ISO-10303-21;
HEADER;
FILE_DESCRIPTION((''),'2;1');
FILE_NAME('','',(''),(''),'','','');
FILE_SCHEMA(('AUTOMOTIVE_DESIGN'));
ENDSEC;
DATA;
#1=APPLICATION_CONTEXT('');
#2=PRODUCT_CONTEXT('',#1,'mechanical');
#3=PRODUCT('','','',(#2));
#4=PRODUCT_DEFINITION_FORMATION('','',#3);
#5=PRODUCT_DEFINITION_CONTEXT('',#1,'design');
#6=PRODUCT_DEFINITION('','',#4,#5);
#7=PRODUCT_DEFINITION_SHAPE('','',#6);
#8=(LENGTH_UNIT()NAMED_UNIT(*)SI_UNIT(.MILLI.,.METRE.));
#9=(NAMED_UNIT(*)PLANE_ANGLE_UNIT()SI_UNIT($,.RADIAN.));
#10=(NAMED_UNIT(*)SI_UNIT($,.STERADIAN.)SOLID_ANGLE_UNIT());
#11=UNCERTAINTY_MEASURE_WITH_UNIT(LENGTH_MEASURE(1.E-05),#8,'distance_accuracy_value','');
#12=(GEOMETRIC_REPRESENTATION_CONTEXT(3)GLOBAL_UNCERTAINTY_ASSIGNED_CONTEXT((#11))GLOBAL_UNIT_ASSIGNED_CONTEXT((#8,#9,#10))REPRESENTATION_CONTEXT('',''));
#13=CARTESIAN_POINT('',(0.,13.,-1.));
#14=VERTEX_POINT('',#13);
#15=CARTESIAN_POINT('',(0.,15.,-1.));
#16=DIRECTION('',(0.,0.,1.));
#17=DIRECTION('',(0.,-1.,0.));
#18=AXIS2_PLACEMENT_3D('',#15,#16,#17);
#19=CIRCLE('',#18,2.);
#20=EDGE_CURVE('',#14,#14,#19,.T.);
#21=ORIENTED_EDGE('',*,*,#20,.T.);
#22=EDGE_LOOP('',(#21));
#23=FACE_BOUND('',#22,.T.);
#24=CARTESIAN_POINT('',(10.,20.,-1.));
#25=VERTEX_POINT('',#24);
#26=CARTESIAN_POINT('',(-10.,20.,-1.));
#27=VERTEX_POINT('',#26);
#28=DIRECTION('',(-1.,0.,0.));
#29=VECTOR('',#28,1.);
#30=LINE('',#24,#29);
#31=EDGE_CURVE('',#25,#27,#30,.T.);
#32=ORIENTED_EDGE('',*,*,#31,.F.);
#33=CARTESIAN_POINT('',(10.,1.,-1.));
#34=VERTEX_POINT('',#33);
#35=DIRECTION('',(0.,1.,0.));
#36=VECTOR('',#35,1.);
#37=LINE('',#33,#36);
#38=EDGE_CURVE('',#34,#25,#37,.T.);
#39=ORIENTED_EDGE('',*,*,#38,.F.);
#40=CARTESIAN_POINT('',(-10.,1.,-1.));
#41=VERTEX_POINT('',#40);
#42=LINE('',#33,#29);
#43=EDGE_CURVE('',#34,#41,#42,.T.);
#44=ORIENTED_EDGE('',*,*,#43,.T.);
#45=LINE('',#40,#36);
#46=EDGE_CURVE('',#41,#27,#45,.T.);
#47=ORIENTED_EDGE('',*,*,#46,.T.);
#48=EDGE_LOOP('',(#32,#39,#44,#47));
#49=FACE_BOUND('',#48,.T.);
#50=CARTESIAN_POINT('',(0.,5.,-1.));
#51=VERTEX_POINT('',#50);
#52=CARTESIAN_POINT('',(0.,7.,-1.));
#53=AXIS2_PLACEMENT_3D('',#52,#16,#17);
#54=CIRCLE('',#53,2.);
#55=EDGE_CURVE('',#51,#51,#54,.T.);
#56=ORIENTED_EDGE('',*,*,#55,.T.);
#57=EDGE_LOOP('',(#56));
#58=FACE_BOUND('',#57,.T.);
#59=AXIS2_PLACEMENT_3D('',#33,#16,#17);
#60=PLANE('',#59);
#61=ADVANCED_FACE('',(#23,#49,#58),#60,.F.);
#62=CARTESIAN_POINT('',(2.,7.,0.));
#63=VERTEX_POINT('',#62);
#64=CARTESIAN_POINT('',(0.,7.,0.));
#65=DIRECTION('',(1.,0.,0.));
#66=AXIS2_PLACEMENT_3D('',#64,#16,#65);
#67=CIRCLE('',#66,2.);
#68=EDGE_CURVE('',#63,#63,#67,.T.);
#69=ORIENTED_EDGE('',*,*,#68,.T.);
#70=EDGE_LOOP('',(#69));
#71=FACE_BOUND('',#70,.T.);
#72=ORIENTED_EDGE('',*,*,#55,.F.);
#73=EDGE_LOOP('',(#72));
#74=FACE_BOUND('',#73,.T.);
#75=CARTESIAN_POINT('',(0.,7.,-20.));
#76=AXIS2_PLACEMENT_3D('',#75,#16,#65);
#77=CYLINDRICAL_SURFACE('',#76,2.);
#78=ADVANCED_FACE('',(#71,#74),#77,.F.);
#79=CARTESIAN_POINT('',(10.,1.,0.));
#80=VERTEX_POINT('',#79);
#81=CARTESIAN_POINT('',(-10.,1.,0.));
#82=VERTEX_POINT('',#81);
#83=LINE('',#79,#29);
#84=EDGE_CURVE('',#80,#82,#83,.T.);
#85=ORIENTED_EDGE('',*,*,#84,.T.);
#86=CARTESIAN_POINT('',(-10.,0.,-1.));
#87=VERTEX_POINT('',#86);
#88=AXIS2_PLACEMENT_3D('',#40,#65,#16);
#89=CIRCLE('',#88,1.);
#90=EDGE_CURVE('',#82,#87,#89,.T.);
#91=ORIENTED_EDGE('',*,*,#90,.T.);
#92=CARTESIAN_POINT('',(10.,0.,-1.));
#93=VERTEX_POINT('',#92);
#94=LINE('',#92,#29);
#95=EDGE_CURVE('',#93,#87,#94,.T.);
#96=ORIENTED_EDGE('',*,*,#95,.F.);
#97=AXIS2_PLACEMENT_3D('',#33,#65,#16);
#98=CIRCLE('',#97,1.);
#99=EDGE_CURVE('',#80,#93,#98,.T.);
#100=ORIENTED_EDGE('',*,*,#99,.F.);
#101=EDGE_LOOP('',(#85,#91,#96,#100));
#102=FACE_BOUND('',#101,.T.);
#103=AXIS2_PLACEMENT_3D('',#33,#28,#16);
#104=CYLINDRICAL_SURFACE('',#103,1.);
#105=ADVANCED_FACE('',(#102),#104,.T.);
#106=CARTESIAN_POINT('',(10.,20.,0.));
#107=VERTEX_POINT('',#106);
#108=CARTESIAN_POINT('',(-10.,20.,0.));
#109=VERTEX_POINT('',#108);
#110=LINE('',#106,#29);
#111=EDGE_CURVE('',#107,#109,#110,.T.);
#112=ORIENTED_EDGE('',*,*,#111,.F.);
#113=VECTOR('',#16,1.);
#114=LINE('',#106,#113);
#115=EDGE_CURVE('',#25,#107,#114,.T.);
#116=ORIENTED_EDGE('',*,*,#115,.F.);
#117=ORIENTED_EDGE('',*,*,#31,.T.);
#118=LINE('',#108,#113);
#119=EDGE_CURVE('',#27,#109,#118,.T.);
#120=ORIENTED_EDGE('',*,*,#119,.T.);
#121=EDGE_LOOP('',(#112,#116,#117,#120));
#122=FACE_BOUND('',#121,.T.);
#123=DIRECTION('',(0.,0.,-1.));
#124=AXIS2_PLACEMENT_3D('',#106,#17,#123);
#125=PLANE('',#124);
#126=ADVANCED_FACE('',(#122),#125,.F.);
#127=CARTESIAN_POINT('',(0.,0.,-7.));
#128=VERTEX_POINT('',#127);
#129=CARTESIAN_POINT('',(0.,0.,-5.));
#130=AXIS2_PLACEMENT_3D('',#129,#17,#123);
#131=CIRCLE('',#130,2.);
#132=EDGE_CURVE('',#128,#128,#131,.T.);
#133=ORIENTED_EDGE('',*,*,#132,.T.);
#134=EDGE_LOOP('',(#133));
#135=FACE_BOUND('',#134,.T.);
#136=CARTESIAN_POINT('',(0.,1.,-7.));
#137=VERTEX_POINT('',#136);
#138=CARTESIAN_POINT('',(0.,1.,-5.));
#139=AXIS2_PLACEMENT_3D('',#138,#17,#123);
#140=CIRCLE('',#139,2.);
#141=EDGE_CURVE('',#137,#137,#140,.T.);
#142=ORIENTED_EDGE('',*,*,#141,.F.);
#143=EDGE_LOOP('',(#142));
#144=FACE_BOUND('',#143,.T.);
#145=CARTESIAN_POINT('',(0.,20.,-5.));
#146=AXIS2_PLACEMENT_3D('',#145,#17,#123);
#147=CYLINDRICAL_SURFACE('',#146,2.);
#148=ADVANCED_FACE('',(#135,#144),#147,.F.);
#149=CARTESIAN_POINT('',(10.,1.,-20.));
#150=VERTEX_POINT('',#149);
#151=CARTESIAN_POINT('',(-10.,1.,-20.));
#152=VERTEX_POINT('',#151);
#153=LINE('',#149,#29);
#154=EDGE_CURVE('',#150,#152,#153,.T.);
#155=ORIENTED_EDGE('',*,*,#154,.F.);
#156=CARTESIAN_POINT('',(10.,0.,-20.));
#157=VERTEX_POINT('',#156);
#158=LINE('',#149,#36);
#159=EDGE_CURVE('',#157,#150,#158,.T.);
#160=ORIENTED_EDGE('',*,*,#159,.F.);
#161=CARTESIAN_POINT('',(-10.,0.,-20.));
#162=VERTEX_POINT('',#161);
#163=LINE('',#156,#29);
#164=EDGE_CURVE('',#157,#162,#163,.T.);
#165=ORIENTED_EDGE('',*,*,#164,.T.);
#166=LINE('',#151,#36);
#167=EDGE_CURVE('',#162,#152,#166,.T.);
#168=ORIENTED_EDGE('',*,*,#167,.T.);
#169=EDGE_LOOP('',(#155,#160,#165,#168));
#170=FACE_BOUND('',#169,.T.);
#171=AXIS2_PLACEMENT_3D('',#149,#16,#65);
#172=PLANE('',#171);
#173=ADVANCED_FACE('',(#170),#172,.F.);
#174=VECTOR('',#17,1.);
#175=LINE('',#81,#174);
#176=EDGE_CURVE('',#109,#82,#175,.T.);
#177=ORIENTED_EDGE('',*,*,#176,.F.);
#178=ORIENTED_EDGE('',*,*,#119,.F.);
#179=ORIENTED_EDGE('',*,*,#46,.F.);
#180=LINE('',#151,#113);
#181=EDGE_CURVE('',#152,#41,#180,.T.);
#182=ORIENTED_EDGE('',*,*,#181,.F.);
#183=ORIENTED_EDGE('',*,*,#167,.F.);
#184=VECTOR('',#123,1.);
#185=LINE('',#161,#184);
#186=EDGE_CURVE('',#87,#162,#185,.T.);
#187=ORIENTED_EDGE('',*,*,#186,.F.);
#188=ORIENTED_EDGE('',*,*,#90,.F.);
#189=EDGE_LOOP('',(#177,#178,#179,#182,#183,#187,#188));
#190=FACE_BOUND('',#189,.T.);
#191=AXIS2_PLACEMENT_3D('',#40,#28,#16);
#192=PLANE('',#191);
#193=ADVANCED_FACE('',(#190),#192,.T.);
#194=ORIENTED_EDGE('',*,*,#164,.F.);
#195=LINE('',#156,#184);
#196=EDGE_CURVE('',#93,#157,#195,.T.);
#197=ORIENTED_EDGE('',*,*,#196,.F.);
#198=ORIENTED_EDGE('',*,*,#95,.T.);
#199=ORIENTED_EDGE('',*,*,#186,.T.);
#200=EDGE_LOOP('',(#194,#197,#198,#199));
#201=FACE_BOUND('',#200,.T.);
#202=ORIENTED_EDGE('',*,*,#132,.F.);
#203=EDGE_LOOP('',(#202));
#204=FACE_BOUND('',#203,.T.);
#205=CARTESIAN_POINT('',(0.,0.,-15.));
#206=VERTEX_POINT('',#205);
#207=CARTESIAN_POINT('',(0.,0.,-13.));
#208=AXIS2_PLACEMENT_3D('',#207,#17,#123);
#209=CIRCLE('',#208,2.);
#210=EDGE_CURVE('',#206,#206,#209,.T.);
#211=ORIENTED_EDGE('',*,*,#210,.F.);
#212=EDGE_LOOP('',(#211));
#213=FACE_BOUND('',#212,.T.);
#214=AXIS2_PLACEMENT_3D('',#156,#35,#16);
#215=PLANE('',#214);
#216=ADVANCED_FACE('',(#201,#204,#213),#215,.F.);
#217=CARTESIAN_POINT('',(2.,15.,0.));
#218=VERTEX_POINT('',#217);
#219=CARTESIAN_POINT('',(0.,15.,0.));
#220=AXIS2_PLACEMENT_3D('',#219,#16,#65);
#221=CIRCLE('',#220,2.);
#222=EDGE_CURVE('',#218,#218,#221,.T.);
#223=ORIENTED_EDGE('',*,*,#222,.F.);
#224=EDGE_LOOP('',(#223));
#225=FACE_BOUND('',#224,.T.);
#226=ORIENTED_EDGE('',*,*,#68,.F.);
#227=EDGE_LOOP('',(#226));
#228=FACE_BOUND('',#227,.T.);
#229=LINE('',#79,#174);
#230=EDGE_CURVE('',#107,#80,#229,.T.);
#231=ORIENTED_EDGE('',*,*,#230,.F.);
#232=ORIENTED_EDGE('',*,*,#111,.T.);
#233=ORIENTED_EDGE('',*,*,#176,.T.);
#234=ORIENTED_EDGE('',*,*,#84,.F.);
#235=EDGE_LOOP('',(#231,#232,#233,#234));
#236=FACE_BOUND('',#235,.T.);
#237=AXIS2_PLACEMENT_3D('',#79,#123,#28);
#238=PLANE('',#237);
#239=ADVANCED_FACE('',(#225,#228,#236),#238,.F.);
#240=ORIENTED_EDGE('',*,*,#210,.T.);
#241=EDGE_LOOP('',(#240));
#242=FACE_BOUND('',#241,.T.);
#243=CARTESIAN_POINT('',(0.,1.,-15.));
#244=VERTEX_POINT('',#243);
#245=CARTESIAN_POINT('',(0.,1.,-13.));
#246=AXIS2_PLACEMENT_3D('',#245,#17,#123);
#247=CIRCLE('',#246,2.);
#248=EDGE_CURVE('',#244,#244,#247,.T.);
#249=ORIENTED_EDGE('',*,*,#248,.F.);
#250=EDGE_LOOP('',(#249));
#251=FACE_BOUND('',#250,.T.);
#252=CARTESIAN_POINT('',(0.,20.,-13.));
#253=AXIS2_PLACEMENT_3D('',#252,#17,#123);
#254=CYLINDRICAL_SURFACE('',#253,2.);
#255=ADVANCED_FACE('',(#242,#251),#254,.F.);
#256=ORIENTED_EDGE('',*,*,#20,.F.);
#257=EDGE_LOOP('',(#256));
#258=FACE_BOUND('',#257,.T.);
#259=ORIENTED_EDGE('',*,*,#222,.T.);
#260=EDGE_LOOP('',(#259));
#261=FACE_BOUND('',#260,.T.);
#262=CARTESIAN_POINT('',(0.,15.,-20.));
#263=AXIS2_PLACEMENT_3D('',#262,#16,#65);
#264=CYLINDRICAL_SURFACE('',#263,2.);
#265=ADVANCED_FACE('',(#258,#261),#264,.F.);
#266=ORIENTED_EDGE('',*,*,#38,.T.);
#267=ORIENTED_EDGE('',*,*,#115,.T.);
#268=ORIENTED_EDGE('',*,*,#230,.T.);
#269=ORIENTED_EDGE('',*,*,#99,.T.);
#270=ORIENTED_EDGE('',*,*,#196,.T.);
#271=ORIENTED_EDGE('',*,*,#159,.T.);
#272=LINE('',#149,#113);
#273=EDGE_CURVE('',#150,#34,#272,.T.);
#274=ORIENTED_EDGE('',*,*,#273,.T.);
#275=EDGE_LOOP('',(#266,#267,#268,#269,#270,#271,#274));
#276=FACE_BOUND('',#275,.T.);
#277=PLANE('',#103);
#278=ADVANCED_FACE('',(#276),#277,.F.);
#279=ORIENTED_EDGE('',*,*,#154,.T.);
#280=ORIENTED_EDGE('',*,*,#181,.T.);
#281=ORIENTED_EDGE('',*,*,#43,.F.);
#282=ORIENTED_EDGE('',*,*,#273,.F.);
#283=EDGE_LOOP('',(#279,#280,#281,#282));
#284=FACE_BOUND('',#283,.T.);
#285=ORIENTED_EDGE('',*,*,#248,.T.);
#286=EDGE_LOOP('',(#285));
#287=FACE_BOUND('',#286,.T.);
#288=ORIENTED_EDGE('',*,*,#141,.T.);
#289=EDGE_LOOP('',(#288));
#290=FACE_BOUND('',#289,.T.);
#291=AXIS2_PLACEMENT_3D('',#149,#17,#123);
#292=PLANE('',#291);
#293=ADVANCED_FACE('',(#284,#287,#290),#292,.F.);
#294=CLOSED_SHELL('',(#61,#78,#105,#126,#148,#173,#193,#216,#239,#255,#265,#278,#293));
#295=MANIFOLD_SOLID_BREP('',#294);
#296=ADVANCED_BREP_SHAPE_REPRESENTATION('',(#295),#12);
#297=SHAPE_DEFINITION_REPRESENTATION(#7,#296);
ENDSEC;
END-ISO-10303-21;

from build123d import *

# Parameters (mm, degrees)
BOSS_EXTRUDE1_DEPTH = 10
SKETCH2_R           = 2
CUT_EXTRUDE1_DEPTH  = 20
SKETCH3_R           = 2
CUT_EXTRUDE2_DEPTH  = 20


with BuildPart() as part:
    # Sketch1 → Boss-Extrude1 (new, symmetric)
    with BuildSketch(Plane(origin=(0, 0, 0), x_dir=(0, 0, -1), z_dir=(1, 0, 0))):
        with BuildLine():
            Line((20, 0), (1, 0))
            ThreePointArc((1, 0), (0.292893219, 0.292893219), (0, 1))
            Line((0, 1), (0, 20))
            Line((0, 20), (1, 20))
            Line((1, 20), (1, 1))
            Line((1, 1), (20, 1))
            Line((20, 1), (20, 0))
        make_face()
    extrude(amount=BOSS_EXTRUDE1_DEPTH, both=True)

    # Sketch2 → Cut-Extrude1 (cut)
    with BuildSketch(Plane.XY):
        with Locations((0, 7)):
            Circle(SKETCH2_R)
        with Locations((0, 15)):
            Circle(SKETCH2_R)
    extrude(amount=-CUT_EXTRUDE1_DEPTH, mode=Mode.SUBTRACT)

    # Sketch3 → Cut-Extrude2 (cut)
    with BuildSketch(Plane.XZ):
        with Locations(Location((0, -13, 0), (0, 0, 270))):
            Circle(SKETCH3_R)
        with Locations(Location((0, -5, 0), (0, 0, 270))):
            Circle(SKETCH3_R)
    extrude(amount=-CUT_EXTRUDE2_DEPTH, mode=Mode.SUBTRACT)


solid = part.part
